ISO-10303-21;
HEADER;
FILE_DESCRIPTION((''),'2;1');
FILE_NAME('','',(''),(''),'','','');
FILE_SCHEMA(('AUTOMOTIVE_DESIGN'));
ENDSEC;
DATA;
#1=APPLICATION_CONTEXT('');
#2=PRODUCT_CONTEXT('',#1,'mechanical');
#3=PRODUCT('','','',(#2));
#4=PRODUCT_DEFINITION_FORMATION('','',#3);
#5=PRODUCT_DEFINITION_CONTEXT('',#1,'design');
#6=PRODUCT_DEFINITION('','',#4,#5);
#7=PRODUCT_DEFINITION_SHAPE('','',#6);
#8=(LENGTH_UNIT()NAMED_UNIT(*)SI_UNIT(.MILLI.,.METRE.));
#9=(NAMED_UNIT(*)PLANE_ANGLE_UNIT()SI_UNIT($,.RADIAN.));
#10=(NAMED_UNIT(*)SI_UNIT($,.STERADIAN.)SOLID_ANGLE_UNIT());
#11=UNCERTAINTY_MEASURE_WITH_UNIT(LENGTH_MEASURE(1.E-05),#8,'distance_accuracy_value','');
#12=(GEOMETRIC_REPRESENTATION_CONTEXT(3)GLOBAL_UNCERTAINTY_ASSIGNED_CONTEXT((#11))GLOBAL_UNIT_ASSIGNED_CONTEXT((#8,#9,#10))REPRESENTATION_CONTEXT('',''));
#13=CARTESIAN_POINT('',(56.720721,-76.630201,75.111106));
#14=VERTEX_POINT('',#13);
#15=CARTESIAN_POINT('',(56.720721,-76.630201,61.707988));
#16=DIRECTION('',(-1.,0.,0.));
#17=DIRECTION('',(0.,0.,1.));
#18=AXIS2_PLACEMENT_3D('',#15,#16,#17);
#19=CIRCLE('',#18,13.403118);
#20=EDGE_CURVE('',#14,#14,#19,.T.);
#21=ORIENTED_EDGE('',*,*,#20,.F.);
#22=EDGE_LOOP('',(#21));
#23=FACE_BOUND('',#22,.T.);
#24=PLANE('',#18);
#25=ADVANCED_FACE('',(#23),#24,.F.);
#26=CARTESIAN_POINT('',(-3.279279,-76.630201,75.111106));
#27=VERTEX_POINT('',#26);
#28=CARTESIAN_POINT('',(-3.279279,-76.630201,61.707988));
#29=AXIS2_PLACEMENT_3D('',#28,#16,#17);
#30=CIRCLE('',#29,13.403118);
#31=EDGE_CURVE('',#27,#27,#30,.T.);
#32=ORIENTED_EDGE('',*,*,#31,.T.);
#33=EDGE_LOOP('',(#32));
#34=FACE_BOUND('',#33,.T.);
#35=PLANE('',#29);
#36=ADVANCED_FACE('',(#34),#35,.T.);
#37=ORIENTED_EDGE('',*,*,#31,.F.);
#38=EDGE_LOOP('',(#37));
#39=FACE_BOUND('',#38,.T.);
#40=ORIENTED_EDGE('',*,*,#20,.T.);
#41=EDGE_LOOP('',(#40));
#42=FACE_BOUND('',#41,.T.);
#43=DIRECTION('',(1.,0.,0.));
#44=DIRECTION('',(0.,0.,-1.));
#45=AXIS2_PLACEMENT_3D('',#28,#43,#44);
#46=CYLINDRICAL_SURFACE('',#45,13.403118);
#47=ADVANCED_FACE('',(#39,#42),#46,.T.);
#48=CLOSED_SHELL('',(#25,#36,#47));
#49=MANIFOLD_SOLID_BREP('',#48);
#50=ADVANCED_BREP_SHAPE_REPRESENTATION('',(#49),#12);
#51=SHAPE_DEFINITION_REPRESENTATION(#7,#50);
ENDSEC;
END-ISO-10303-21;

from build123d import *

# Parameters (mm, degrees)
SKETCH_1_R      = 13.403118467
EXTRUDE_1_DEPTH = 60


with BuildPart() as part:
    # 草图1 → 凸台-拉伸1 (new body)
    with BuildSketch(Plane.ZY.offset(-56.720720721)):
        with Locations((61.707987888, -76.630201051)):
            Circle(SKETCH_1_R)
    extrude(amount=EXTRUDE_1_DEPTH)


solid = part.part
